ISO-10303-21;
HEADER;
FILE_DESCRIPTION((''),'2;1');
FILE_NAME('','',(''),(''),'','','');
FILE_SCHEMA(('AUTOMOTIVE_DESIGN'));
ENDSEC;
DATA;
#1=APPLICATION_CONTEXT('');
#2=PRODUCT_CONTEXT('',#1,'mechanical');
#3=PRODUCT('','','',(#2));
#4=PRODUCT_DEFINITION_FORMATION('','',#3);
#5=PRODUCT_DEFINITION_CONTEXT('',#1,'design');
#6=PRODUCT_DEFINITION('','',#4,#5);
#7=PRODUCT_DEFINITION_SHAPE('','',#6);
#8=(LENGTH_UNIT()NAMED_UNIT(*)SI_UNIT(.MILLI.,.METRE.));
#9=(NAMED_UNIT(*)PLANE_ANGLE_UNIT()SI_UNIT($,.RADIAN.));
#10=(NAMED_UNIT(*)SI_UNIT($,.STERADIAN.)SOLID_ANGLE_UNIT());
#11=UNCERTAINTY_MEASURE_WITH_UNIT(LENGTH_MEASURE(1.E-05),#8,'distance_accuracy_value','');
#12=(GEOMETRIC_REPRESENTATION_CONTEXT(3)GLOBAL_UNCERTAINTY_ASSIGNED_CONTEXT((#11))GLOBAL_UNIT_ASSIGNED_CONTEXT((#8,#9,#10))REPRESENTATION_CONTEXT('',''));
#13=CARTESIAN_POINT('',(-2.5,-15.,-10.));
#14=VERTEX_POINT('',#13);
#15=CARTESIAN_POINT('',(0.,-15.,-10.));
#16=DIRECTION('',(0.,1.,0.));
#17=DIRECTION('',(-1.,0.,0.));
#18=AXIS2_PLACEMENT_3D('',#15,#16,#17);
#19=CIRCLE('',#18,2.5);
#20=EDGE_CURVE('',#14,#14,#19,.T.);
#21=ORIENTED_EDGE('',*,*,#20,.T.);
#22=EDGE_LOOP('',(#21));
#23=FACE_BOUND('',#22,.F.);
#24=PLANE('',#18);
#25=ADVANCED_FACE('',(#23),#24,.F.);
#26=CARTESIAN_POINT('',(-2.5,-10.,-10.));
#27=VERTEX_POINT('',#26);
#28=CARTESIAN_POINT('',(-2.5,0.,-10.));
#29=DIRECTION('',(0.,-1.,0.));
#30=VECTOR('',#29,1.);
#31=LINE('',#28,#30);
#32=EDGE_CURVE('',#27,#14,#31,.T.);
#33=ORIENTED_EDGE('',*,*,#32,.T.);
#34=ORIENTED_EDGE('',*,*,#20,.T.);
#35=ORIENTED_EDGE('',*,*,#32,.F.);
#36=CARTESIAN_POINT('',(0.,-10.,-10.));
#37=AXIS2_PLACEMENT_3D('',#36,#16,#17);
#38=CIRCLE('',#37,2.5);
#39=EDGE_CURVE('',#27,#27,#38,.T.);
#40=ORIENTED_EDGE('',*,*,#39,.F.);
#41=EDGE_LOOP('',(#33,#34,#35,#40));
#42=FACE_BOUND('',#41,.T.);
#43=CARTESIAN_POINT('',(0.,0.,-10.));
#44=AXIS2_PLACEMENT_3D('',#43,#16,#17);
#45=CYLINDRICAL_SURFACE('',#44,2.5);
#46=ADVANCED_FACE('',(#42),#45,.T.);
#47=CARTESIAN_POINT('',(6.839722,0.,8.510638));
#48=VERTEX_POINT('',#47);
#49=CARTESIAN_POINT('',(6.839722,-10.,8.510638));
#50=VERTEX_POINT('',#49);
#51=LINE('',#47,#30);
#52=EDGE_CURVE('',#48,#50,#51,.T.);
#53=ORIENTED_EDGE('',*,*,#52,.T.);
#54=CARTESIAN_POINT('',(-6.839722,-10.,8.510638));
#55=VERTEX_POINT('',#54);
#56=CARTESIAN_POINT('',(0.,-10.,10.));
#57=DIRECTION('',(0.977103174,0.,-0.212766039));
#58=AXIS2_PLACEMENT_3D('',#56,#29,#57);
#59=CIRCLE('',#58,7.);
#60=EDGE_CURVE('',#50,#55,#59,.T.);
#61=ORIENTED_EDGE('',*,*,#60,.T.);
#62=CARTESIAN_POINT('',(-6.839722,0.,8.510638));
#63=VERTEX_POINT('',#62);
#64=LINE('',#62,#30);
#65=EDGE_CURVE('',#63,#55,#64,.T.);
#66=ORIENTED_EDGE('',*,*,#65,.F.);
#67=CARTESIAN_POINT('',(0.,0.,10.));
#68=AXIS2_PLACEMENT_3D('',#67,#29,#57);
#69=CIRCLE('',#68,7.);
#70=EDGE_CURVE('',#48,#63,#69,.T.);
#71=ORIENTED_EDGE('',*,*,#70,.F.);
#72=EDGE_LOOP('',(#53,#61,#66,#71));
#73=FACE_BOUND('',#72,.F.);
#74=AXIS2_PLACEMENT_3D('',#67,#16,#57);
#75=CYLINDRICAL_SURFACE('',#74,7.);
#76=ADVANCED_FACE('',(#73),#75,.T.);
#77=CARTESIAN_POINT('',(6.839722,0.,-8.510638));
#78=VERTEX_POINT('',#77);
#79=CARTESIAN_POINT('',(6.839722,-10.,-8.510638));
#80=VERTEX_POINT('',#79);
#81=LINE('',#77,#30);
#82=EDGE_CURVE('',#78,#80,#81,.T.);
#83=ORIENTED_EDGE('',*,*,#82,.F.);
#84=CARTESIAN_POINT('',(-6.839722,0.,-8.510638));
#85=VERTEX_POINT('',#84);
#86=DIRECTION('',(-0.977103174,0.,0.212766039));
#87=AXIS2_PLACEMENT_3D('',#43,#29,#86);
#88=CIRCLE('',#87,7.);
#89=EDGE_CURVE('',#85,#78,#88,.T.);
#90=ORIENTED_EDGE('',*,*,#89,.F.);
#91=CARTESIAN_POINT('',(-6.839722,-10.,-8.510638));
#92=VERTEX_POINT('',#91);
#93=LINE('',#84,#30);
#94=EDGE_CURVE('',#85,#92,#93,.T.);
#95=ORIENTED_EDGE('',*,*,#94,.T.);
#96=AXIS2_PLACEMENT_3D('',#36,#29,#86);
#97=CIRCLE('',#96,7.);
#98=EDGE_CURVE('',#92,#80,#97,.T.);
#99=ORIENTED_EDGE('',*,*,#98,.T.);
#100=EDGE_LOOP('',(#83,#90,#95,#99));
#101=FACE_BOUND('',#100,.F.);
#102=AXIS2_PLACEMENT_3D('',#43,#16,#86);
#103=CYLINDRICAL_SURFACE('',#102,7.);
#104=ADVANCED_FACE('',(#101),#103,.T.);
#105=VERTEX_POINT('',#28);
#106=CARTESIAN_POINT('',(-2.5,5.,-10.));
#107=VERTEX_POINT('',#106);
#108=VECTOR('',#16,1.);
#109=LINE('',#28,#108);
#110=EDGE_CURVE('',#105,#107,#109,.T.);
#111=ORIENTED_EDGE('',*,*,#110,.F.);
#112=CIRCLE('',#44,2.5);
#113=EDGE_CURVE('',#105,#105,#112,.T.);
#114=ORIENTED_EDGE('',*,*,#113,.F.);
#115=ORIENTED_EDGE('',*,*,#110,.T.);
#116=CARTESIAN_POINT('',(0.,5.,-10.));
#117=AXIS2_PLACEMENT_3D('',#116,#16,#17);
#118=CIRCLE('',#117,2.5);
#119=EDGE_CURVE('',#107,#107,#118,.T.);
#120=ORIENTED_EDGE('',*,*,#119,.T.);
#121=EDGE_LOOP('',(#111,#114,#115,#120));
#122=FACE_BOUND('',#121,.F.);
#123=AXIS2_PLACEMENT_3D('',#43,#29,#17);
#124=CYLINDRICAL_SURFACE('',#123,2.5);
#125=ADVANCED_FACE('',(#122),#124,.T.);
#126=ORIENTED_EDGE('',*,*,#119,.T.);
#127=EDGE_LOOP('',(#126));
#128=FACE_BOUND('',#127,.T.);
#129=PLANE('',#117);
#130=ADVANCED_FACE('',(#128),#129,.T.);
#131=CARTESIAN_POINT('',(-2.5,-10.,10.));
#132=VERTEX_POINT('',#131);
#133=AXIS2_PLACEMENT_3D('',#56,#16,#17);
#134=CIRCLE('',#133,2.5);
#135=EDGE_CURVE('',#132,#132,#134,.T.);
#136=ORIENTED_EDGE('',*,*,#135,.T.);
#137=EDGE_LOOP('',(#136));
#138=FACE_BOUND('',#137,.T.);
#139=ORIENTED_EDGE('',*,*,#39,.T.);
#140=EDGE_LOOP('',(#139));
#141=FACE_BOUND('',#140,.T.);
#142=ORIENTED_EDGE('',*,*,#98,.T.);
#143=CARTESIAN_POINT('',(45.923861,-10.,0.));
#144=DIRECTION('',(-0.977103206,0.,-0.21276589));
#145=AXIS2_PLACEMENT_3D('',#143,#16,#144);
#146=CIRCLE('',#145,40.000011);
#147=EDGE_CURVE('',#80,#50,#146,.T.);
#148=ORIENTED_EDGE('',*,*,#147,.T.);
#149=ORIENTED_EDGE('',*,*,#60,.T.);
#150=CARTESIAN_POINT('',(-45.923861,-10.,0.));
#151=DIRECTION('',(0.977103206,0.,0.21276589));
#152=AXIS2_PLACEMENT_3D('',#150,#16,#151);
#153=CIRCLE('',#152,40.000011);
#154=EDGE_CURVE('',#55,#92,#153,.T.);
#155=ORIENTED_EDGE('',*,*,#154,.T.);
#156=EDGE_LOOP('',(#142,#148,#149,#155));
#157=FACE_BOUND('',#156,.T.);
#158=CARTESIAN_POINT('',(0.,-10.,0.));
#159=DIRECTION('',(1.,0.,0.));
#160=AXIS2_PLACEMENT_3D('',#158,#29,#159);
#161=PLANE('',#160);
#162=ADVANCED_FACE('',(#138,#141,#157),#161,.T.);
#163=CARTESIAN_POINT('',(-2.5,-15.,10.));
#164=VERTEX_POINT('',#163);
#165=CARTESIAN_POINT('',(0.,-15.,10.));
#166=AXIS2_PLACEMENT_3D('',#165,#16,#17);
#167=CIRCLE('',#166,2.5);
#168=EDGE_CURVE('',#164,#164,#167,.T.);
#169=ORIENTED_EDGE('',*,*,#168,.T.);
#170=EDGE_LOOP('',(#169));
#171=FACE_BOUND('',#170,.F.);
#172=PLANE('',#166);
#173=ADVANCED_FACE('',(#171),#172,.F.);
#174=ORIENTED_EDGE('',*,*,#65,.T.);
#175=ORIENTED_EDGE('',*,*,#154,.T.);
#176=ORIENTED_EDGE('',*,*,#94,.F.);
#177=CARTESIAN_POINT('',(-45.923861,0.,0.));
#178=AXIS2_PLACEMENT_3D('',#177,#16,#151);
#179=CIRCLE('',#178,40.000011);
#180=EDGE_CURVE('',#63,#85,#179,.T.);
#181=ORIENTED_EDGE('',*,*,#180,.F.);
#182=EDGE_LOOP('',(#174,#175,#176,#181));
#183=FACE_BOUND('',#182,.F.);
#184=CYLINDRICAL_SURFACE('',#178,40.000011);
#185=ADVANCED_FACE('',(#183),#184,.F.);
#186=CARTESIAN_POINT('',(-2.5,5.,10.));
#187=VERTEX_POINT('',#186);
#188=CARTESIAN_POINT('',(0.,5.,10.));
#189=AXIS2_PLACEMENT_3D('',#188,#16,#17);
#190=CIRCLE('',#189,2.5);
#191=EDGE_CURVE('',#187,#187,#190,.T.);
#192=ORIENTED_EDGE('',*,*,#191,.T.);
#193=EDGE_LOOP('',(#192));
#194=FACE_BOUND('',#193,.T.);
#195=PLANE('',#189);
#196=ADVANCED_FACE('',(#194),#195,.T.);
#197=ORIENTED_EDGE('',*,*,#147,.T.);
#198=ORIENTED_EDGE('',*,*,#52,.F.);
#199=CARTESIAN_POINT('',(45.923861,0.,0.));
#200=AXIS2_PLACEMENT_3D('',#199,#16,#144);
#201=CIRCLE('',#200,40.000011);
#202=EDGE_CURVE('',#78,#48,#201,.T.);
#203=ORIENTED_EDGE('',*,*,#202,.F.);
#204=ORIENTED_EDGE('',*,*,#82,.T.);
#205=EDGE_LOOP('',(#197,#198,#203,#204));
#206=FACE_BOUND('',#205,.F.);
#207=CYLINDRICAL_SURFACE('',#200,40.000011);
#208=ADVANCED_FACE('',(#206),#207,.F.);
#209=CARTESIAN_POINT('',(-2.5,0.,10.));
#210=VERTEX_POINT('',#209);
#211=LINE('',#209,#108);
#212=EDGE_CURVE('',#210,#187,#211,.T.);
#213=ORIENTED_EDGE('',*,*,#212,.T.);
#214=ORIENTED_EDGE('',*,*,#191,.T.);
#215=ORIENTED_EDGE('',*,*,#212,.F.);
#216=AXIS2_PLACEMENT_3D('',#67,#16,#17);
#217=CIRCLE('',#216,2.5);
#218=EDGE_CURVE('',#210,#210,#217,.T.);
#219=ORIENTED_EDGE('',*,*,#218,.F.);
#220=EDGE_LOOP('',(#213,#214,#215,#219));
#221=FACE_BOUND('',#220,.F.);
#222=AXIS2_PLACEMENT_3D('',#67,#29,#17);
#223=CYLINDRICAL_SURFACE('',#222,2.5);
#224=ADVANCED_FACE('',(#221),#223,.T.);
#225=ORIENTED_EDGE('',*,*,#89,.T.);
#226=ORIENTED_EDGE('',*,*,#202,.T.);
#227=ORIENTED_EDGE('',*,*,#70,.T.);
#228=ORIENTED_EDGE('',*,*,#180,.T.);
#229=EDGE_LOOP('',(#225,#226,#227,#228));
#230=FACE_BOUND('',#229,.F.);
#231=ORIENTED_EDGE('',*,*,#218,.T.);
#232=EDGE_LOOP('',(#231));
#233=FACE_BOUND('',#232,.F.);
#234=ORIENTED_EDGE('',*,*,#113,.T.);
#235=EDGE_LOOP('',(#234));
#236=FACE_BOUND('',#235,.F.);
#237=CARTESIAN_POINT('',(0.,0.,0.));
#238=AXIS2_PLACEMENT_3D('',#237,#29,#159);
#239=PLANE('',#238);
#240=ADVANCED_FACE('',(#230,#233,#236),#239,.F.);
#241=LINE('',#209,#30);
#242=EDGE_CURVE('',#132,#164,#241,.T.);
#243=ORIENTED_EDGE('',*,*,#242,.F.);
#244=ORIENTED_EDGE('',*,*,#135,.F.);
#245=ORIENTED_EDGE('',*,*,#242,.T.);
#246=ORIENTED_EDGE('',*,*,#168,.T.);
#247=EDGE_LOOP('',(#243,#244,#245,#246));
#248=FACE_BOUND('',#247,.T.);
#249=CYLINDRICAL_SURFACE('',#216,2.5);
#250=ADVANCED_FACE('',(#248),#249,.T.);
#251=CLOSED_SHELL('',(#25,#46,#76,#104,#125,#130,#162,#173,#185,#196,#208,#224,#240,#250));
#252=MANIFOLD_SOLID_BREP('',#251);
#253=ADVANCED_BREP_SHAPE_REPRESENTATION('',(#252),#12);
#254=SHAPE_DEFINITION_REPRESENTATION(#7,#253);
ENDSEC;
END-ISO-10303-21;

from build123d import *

# Parameters (mm, degrees)
F1_DEPTH      = 10
F2_R          = 2.5
F3_DEPTH      = 5
F3_DEPTH_BACK = 15


with BuildPart() as f1:
    # F0 (on Front) → F1 (new body)
    with BuildSketch(Plane.XZ):
        with BuildLine():
            ThreePointArc((-6.839722, 8.510638), (-5.92385, 0), (-6.839722, -8.510638))
            ThreePointArc((-6.839722, -8.510638), (0, -17), (6.839722, -8.510638))
            ThreePointArc((6.839722, -8.510638), (5.92385, 0), (6.839722, 8.510638))
            ThreePointArc((6.839722, 8.510638), (0, 17), (-6.839722, 8.510638))
        make_face()
    extrude(amount=F1_DEPTH)

    # F2 (on face) → F3 (join, two sides)
    with BuildSketch(Plane(origin=(0, 0, 0), x_dir=(-1, 0, 0), z_dir=(0, 1, 0))) as f3_sk:
        with Locations((0, 10)):
            Circle(F2_R)
        with Locations((0, -10)):
            Circle(F2_R)
    extrude(amount=F3_DEPTH)
    extrude(f3_sk.sketch, amount=-F3_DEPTH_BACK)


solid = f1.part
